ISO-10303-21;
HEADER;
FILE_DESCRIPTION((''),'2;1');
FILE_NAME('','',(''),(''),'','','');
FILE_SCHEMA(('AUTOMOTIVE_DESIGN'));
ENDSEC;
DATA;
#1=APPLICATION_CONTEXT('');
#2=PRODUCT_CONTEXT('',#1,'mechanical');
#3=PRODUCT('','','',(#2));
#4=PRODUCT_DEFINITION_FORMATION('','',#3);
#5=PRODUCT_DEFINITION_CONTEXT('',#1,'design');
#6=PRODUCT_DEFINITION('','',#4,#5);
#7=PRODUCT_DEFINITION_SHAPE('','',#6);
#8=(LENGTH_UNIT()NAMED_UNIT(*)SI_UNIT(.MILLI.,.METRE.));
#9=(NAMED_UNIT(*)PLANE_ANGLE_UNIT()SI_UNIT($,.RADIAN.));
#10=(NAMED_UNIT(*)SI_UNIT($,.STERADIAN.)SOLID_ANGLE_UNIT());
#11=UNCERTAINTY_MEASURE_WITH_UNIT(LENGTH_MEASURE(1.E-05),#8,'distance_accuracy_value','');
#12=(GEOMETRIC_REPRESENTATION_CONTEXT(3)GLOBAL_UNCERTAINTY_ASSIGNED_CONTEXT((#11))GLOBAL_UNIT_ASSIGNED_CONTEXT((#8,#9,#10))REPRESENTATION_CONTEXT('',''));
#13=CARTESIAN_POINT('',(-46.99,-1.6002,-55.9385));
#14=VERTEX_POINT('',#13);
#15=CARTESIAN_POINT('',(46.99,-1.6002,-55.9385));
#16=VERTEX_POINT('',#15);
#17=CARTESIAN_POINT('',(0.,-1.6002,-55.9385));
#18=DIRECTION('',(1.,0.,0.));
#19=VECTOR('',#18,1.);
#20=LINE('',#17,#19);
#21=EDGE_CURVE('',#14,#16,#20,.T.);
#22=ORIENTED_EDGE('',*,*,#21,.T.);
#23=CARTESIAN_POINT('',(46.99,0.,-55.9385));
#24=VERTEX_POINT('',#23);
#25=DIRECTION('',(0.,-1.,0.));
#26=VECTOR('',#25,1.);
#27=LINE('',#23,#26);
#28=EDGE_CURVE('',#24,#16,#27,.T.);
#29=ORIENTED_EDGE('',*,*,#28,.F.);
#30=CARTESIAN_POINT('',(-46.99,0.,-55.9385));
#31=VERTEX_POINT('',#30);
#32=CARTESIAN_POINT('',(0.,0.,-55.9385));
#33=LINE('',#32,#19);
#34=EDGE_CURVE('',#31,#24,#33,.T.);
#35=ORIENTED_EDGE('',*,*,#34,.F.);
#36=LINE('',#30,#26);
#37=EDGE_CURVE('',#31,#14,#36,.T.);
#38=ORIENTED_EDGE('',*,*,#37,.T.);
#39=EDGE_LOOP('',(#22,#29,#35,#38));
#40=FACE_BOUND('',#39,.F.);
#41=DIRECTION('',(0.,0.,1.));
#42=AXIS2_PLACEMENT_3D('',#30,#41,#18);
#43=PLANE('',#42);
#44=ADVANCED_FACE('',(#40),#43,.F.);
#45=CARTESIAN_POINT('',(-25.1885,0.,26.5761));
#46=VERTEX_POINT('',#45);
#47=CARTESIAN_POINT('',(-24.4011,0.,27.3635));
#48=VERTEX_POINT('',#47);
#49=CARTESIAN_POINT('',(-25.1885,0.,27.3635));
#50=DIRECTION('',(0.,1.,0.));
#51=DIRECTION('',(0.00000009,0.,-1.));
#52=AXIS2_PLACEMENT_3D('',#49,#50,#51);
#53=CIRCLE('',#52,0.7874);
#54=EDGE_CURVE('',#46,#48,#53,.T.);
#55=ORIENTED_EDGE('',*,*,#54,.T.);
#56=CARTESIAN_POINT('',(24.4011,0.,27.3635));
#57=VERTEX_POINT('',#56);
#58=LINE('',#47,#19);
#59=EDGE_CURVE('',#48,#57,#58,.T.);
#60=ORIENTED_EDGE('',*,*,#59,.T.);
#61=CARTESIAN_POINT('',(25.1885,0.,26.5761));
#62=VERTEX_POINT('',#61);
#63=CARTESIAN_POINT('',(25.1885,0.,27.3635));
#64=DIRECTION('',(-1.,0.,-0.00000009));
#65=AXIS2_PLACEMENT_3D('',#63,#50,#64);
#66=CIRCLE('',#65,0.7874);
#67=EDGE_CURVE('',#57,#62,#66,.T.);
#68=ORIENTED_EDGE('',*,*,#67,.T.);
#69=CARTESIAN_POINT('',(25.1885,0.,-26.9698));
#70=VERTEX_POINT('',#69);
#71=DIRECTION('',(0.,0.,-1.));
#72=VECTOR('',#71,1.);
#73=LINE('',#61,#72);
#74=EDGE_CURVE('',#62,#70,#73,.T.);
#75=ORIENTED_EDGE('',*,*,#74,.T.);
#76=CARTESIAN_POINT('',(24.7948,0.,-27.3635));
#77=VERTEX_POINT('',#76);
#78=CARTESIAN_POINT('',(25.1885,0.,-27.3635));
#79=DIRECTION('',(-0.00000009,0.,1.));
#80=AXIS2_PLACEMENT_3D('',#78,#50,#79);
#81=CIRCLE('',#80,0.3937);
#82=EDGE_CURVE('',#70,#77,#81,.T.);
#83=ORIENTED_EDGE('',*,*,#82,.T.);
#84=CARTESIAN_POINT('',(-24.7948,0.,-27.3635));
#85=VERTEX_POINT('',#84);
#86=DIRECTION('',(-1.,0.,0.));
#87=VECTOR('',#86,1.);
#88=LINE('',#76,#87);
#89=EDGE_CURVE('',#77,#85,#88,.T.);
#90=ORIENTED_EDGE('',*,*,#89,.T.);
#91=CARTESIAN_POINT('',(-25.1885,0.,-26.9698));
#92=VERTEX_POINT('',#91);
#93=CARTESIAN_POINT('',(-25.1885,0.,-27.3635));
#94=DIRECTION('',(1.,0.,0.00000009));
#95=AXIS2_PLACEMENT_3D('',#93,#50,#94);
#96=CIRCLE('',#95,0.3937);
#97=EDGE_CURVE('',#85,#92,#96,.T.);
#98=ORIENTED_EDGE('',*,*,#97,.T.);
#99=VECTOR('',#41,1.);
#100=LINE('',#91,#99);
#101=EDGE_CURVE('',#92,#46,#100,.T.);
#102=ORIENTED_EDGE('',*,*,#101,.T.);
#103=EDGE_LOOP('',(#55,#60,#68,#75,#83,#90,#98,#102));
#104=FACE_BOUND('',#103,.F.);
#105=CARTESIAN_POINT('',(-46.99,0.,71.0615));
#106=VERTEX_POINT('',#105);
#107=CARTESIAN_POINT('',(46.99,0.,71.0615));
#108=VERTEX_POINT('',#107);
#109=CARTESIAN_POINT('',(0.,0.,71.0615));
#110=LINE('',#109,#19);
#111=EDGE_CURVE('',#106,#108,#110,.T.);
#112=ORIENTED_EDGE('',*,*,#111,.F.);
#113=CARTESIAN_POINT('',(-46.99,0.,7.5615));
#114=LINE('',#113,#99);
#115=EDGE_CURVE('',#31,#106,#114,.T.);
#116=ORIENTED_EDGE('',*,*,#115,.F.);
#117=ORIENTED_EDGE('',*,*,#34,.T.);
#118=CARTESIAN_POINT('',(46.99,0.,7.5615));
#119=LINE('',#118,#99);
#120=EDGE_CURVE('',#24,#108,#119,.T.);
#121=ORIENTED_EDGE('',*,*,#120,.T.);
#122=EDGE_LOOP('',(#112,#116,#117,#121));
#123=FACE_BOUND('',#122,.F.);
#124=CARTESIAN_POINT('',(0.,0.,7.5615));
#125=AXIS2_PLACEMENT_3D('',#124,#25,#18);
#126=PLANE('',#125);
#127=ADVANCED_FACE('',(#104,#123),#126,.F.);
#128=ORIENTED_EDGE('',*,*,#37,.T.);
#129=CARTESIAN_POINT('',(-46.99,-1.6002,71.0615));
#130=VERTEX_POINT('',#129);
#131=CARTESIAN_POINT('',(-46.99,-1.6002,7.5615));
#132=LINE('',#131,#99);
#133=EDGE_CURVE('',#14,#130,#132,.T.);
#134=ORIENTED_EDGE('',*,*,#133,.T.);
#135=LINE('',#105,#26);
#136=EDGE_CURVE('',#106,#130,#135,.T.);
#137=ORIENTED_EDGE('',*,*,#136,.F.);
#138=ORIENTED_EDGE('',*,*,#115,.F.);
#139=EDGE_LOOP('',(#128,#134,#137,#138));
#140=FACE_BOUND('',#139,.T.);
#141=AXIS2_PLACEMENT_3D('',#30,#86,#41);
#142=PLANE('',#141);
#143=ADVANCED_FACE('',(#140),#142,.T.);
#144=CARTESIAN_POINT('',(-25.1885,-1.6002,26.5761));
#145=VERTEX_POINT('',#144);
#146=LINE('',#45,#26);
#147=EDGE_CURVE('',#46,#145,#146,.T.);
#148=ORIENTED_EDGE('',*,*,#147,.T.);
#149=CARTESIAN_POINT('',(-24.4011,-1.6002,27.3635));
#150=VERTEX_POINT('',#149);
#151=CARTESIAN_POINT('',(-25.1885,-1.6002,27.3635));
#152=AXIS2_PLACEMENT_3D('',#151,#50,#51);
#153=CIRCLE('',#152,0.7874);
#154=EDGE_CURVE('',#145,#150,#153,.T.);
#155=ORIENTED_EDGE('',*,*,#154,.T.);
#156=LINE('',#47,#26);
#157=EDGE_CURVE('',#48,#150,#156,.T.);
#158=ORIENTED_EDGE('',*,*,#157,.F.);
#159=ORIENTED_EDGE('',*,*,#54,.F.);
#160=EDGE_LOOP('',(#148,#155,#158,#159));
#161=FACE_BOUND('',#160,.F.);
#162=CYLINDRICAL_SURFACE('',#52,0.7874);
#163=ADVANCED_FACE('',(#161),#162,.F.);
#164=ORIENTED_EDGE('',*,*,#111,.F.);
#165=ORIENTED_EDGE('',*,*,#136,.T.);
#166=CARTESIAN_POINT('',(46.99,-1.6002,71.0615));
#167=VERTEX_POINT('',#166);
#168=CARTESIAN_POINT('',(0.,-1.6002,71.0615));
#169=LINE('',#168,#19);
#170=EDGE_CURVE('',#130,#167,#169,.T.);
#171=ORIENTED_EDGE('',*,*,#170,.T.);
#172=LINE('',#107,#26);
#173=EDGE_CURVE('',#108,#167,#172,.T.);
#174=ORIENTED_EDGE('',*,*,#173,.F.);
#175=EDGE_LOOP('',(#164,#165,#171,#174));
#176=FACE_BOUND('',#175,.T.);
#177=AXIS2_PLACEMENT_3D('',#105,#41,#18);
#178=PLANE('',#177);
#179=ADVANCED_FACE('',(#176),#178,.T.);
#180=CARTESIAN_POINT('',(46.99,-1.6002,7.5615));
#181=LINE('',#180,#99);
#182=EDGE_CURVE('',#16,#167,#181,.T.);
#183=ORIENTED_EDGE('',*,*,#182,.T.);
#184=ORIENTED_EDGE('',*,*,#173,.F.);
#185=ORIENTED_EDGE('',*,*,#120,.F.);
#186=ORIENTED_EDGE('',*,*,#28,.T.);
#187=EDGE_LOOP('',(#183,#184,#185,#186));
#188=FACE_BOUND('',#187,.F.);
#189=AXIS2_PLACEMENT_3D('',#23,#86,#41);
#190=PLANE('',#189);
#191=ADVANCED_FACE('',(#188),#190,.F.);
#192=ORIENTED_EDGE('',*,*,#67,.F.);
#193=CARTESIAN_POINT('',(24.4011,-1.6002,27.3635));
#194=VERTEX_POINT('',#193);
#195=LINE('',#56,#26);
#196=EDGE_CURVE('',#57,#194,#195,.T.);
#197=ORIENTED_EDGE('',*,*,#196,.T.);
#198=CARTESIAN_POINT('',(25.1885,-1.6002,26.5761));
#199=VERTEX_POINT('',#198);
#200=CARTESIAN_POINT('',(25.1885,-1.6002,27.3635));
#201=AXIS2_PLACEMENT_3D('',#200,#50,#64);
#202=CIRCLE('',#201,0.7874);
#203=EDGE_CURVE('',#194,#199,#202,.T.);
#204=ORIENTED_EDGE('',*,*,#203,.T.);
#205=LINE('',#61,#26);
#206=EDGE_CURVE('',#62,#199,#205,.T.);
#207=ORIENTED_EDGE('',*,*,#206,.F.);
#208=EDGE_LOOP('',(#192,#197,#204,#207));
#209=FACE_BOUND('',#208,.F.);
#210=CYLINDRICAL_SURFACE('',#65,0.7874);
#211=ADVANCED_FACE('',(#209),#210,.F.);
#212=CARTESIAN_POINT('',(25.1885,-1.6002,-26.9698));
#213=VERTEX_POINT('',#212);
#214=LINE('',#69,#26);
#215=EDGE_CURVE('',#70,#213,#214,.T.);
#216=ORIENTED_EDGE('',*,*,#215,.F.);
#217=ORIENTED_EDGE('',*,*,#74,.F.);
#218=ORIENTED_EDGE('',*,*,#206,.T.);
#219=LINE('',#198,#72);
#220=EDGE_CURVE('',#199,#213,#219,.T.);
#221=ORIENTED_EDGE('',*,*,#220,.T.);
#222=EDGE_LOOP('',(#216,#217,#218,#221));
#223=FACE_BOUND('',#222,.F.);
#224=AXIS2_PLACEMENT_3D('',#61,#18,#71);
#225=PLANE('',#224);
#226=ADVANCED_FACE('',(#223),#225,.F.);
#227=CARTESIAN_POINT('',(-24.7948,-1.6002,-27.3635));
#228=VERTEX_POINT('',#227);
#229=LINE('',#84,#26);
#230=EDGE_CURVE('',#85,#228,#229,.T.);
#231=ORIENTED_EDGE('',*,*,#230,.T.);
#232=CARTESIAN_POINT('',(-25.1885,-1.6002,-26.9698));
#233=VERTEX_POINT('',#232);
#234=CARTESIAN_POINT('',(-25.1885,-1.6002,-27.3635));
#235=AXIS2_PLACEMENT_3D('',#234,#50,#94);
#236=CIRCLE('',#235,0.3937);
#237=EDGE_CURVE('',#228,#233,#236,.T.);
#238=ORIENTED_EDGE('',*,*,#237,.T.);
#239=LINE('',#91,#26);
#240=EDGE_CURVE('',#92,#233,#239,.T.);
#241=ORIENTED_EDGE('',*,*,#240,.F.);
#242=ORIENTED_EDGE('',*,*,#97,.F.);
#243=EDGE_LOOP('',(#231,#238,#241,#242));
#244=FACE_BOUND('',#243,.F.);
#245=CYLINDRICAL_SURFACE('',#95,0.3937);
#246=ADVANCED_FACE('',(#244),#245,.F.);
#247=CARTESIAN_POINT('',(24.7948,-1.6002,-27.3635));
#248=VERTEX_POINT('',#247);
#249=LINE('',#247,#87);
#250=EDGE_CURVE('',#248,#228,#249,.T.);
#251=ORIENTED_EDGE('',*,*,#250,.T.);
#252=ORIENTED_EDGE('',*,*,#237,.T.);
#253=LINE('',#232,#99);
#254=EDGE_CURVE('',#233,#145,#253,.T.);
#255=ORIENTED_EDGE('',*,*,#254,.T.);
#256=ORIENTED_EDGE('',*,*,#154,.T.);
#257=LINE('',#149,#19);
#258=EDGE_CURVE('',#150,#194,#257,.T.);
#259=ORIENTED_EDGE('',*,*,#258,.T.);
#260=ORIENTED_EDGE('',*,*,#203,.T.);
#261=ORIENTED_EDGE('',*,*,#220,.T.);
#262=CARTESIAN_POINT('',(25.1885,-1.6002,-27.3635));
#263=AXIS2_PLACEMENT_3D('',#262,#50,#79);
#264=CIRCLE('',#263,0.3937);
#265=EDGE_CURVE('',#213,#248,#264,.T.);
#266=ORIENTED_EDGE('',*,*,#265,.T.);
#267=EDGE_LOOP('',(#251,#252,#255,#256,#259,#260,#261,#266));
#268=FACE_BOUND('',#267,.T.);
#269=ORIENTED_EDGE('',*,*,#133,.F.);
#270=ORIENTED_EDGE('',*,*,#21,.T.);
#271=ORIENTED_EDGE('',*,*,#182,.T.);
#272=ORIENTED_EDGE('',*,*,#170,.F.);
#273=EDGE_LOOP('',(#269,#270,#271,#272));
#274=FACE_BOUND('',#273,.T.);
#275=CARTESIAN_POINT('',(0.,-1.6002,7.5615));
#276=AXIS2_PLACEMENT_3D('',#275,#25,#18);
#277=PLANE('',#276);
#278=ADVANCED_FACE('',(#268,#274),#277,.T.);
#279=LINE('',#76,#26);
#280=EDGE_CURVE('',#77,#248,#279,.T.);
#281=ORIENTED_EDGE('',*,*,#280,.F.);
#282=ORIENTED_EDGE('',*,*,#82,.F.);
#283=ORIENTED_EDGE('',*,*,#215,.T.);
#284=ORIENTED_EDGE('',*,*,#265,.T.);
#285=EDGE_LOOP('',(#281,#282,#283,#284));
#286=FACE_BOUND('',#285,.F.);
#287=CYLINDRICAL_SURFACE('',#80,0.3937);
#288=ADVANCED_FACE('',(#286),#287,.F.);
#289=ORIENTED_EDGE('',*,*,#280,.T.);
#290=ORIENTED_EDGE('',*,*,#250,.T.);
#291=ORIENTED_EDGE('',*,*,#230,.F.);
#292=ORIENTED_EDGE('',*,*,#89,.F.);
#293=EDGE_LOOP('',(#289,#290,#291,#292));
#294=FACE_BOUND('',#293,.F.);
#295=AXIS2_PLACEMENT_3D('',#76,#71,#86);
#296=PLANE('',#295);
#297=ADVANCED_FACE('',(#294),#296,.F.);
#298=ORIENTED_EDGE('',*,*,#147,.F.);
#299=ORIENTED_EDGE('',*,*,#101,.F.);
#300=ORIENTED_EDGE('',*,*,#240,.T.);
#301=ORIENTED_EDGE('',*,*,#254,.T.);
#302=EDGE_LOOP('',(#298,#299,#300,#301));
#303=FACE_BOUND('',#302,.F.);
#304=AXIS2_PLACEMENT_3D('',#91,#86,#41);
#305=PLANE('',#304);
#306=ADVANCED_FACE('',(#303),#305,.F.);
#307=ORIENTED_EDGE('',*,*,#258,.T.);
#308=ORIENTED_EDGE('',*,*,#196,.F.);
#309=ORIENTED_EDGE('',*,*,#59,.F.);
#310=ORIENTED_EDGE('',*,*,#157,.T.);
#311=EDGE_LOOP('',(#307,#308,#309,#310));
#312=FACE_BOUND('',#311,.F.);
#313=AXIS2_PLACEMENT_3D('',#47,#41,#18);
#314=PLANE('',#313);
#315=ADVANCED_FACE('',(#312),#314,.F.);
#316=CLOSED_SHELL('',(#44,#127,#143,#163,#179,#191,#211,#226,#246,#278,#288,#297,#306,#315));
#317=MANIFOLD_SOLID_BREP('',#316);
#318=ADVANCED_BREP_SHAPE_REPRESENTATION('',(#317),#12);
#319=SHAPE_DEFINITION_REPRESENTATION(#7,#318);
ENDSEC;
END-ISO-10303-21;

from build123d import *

# Parameters (mm, degrees)
F0_W     = 93.98
F0_H     = 127
F1_DEPTH = 1.6002


with BuildPart() as f1:
    # F0 (on Front) → F1 (new body)
    with BuildSketch(Plane.XZ):
        with Locations((0, 7.5615)):
            Rectangle(F0_W, F0_H)
        with BuildLine():
            ThreePointArc((-25.1885, 26.5761), (-25.745276, 27.920276), (-24.4011, 27.3635))
            Line((-24.4011, 27.3635), (24.4011, 27.3635))
            ThreePointArc((24.4011, 27.3635), (25.745276, 27.920276), (25.1885, 26.5761))
            Line((25.1885, 26.5761), (25.1885, -26.9698))
            ThreePointArc((25.1885, -26.9698), (25.466888, -27.641888), (24.7948, -27.3635))
            Line((24.7948, -27.3635), (-24.7948, -27.3635))
            ThreePointArc((-24.7948, -27.3635), (-25.466888, -27.641888), (-25.1885, -26.9698))
            Line((-25.1885, -26.9698), (-25.1885, 26.5761))
        make_face(mode=Mode.SUBTRACT)
    extrude(amount=F1_DEPTH)


solid = f1.part
